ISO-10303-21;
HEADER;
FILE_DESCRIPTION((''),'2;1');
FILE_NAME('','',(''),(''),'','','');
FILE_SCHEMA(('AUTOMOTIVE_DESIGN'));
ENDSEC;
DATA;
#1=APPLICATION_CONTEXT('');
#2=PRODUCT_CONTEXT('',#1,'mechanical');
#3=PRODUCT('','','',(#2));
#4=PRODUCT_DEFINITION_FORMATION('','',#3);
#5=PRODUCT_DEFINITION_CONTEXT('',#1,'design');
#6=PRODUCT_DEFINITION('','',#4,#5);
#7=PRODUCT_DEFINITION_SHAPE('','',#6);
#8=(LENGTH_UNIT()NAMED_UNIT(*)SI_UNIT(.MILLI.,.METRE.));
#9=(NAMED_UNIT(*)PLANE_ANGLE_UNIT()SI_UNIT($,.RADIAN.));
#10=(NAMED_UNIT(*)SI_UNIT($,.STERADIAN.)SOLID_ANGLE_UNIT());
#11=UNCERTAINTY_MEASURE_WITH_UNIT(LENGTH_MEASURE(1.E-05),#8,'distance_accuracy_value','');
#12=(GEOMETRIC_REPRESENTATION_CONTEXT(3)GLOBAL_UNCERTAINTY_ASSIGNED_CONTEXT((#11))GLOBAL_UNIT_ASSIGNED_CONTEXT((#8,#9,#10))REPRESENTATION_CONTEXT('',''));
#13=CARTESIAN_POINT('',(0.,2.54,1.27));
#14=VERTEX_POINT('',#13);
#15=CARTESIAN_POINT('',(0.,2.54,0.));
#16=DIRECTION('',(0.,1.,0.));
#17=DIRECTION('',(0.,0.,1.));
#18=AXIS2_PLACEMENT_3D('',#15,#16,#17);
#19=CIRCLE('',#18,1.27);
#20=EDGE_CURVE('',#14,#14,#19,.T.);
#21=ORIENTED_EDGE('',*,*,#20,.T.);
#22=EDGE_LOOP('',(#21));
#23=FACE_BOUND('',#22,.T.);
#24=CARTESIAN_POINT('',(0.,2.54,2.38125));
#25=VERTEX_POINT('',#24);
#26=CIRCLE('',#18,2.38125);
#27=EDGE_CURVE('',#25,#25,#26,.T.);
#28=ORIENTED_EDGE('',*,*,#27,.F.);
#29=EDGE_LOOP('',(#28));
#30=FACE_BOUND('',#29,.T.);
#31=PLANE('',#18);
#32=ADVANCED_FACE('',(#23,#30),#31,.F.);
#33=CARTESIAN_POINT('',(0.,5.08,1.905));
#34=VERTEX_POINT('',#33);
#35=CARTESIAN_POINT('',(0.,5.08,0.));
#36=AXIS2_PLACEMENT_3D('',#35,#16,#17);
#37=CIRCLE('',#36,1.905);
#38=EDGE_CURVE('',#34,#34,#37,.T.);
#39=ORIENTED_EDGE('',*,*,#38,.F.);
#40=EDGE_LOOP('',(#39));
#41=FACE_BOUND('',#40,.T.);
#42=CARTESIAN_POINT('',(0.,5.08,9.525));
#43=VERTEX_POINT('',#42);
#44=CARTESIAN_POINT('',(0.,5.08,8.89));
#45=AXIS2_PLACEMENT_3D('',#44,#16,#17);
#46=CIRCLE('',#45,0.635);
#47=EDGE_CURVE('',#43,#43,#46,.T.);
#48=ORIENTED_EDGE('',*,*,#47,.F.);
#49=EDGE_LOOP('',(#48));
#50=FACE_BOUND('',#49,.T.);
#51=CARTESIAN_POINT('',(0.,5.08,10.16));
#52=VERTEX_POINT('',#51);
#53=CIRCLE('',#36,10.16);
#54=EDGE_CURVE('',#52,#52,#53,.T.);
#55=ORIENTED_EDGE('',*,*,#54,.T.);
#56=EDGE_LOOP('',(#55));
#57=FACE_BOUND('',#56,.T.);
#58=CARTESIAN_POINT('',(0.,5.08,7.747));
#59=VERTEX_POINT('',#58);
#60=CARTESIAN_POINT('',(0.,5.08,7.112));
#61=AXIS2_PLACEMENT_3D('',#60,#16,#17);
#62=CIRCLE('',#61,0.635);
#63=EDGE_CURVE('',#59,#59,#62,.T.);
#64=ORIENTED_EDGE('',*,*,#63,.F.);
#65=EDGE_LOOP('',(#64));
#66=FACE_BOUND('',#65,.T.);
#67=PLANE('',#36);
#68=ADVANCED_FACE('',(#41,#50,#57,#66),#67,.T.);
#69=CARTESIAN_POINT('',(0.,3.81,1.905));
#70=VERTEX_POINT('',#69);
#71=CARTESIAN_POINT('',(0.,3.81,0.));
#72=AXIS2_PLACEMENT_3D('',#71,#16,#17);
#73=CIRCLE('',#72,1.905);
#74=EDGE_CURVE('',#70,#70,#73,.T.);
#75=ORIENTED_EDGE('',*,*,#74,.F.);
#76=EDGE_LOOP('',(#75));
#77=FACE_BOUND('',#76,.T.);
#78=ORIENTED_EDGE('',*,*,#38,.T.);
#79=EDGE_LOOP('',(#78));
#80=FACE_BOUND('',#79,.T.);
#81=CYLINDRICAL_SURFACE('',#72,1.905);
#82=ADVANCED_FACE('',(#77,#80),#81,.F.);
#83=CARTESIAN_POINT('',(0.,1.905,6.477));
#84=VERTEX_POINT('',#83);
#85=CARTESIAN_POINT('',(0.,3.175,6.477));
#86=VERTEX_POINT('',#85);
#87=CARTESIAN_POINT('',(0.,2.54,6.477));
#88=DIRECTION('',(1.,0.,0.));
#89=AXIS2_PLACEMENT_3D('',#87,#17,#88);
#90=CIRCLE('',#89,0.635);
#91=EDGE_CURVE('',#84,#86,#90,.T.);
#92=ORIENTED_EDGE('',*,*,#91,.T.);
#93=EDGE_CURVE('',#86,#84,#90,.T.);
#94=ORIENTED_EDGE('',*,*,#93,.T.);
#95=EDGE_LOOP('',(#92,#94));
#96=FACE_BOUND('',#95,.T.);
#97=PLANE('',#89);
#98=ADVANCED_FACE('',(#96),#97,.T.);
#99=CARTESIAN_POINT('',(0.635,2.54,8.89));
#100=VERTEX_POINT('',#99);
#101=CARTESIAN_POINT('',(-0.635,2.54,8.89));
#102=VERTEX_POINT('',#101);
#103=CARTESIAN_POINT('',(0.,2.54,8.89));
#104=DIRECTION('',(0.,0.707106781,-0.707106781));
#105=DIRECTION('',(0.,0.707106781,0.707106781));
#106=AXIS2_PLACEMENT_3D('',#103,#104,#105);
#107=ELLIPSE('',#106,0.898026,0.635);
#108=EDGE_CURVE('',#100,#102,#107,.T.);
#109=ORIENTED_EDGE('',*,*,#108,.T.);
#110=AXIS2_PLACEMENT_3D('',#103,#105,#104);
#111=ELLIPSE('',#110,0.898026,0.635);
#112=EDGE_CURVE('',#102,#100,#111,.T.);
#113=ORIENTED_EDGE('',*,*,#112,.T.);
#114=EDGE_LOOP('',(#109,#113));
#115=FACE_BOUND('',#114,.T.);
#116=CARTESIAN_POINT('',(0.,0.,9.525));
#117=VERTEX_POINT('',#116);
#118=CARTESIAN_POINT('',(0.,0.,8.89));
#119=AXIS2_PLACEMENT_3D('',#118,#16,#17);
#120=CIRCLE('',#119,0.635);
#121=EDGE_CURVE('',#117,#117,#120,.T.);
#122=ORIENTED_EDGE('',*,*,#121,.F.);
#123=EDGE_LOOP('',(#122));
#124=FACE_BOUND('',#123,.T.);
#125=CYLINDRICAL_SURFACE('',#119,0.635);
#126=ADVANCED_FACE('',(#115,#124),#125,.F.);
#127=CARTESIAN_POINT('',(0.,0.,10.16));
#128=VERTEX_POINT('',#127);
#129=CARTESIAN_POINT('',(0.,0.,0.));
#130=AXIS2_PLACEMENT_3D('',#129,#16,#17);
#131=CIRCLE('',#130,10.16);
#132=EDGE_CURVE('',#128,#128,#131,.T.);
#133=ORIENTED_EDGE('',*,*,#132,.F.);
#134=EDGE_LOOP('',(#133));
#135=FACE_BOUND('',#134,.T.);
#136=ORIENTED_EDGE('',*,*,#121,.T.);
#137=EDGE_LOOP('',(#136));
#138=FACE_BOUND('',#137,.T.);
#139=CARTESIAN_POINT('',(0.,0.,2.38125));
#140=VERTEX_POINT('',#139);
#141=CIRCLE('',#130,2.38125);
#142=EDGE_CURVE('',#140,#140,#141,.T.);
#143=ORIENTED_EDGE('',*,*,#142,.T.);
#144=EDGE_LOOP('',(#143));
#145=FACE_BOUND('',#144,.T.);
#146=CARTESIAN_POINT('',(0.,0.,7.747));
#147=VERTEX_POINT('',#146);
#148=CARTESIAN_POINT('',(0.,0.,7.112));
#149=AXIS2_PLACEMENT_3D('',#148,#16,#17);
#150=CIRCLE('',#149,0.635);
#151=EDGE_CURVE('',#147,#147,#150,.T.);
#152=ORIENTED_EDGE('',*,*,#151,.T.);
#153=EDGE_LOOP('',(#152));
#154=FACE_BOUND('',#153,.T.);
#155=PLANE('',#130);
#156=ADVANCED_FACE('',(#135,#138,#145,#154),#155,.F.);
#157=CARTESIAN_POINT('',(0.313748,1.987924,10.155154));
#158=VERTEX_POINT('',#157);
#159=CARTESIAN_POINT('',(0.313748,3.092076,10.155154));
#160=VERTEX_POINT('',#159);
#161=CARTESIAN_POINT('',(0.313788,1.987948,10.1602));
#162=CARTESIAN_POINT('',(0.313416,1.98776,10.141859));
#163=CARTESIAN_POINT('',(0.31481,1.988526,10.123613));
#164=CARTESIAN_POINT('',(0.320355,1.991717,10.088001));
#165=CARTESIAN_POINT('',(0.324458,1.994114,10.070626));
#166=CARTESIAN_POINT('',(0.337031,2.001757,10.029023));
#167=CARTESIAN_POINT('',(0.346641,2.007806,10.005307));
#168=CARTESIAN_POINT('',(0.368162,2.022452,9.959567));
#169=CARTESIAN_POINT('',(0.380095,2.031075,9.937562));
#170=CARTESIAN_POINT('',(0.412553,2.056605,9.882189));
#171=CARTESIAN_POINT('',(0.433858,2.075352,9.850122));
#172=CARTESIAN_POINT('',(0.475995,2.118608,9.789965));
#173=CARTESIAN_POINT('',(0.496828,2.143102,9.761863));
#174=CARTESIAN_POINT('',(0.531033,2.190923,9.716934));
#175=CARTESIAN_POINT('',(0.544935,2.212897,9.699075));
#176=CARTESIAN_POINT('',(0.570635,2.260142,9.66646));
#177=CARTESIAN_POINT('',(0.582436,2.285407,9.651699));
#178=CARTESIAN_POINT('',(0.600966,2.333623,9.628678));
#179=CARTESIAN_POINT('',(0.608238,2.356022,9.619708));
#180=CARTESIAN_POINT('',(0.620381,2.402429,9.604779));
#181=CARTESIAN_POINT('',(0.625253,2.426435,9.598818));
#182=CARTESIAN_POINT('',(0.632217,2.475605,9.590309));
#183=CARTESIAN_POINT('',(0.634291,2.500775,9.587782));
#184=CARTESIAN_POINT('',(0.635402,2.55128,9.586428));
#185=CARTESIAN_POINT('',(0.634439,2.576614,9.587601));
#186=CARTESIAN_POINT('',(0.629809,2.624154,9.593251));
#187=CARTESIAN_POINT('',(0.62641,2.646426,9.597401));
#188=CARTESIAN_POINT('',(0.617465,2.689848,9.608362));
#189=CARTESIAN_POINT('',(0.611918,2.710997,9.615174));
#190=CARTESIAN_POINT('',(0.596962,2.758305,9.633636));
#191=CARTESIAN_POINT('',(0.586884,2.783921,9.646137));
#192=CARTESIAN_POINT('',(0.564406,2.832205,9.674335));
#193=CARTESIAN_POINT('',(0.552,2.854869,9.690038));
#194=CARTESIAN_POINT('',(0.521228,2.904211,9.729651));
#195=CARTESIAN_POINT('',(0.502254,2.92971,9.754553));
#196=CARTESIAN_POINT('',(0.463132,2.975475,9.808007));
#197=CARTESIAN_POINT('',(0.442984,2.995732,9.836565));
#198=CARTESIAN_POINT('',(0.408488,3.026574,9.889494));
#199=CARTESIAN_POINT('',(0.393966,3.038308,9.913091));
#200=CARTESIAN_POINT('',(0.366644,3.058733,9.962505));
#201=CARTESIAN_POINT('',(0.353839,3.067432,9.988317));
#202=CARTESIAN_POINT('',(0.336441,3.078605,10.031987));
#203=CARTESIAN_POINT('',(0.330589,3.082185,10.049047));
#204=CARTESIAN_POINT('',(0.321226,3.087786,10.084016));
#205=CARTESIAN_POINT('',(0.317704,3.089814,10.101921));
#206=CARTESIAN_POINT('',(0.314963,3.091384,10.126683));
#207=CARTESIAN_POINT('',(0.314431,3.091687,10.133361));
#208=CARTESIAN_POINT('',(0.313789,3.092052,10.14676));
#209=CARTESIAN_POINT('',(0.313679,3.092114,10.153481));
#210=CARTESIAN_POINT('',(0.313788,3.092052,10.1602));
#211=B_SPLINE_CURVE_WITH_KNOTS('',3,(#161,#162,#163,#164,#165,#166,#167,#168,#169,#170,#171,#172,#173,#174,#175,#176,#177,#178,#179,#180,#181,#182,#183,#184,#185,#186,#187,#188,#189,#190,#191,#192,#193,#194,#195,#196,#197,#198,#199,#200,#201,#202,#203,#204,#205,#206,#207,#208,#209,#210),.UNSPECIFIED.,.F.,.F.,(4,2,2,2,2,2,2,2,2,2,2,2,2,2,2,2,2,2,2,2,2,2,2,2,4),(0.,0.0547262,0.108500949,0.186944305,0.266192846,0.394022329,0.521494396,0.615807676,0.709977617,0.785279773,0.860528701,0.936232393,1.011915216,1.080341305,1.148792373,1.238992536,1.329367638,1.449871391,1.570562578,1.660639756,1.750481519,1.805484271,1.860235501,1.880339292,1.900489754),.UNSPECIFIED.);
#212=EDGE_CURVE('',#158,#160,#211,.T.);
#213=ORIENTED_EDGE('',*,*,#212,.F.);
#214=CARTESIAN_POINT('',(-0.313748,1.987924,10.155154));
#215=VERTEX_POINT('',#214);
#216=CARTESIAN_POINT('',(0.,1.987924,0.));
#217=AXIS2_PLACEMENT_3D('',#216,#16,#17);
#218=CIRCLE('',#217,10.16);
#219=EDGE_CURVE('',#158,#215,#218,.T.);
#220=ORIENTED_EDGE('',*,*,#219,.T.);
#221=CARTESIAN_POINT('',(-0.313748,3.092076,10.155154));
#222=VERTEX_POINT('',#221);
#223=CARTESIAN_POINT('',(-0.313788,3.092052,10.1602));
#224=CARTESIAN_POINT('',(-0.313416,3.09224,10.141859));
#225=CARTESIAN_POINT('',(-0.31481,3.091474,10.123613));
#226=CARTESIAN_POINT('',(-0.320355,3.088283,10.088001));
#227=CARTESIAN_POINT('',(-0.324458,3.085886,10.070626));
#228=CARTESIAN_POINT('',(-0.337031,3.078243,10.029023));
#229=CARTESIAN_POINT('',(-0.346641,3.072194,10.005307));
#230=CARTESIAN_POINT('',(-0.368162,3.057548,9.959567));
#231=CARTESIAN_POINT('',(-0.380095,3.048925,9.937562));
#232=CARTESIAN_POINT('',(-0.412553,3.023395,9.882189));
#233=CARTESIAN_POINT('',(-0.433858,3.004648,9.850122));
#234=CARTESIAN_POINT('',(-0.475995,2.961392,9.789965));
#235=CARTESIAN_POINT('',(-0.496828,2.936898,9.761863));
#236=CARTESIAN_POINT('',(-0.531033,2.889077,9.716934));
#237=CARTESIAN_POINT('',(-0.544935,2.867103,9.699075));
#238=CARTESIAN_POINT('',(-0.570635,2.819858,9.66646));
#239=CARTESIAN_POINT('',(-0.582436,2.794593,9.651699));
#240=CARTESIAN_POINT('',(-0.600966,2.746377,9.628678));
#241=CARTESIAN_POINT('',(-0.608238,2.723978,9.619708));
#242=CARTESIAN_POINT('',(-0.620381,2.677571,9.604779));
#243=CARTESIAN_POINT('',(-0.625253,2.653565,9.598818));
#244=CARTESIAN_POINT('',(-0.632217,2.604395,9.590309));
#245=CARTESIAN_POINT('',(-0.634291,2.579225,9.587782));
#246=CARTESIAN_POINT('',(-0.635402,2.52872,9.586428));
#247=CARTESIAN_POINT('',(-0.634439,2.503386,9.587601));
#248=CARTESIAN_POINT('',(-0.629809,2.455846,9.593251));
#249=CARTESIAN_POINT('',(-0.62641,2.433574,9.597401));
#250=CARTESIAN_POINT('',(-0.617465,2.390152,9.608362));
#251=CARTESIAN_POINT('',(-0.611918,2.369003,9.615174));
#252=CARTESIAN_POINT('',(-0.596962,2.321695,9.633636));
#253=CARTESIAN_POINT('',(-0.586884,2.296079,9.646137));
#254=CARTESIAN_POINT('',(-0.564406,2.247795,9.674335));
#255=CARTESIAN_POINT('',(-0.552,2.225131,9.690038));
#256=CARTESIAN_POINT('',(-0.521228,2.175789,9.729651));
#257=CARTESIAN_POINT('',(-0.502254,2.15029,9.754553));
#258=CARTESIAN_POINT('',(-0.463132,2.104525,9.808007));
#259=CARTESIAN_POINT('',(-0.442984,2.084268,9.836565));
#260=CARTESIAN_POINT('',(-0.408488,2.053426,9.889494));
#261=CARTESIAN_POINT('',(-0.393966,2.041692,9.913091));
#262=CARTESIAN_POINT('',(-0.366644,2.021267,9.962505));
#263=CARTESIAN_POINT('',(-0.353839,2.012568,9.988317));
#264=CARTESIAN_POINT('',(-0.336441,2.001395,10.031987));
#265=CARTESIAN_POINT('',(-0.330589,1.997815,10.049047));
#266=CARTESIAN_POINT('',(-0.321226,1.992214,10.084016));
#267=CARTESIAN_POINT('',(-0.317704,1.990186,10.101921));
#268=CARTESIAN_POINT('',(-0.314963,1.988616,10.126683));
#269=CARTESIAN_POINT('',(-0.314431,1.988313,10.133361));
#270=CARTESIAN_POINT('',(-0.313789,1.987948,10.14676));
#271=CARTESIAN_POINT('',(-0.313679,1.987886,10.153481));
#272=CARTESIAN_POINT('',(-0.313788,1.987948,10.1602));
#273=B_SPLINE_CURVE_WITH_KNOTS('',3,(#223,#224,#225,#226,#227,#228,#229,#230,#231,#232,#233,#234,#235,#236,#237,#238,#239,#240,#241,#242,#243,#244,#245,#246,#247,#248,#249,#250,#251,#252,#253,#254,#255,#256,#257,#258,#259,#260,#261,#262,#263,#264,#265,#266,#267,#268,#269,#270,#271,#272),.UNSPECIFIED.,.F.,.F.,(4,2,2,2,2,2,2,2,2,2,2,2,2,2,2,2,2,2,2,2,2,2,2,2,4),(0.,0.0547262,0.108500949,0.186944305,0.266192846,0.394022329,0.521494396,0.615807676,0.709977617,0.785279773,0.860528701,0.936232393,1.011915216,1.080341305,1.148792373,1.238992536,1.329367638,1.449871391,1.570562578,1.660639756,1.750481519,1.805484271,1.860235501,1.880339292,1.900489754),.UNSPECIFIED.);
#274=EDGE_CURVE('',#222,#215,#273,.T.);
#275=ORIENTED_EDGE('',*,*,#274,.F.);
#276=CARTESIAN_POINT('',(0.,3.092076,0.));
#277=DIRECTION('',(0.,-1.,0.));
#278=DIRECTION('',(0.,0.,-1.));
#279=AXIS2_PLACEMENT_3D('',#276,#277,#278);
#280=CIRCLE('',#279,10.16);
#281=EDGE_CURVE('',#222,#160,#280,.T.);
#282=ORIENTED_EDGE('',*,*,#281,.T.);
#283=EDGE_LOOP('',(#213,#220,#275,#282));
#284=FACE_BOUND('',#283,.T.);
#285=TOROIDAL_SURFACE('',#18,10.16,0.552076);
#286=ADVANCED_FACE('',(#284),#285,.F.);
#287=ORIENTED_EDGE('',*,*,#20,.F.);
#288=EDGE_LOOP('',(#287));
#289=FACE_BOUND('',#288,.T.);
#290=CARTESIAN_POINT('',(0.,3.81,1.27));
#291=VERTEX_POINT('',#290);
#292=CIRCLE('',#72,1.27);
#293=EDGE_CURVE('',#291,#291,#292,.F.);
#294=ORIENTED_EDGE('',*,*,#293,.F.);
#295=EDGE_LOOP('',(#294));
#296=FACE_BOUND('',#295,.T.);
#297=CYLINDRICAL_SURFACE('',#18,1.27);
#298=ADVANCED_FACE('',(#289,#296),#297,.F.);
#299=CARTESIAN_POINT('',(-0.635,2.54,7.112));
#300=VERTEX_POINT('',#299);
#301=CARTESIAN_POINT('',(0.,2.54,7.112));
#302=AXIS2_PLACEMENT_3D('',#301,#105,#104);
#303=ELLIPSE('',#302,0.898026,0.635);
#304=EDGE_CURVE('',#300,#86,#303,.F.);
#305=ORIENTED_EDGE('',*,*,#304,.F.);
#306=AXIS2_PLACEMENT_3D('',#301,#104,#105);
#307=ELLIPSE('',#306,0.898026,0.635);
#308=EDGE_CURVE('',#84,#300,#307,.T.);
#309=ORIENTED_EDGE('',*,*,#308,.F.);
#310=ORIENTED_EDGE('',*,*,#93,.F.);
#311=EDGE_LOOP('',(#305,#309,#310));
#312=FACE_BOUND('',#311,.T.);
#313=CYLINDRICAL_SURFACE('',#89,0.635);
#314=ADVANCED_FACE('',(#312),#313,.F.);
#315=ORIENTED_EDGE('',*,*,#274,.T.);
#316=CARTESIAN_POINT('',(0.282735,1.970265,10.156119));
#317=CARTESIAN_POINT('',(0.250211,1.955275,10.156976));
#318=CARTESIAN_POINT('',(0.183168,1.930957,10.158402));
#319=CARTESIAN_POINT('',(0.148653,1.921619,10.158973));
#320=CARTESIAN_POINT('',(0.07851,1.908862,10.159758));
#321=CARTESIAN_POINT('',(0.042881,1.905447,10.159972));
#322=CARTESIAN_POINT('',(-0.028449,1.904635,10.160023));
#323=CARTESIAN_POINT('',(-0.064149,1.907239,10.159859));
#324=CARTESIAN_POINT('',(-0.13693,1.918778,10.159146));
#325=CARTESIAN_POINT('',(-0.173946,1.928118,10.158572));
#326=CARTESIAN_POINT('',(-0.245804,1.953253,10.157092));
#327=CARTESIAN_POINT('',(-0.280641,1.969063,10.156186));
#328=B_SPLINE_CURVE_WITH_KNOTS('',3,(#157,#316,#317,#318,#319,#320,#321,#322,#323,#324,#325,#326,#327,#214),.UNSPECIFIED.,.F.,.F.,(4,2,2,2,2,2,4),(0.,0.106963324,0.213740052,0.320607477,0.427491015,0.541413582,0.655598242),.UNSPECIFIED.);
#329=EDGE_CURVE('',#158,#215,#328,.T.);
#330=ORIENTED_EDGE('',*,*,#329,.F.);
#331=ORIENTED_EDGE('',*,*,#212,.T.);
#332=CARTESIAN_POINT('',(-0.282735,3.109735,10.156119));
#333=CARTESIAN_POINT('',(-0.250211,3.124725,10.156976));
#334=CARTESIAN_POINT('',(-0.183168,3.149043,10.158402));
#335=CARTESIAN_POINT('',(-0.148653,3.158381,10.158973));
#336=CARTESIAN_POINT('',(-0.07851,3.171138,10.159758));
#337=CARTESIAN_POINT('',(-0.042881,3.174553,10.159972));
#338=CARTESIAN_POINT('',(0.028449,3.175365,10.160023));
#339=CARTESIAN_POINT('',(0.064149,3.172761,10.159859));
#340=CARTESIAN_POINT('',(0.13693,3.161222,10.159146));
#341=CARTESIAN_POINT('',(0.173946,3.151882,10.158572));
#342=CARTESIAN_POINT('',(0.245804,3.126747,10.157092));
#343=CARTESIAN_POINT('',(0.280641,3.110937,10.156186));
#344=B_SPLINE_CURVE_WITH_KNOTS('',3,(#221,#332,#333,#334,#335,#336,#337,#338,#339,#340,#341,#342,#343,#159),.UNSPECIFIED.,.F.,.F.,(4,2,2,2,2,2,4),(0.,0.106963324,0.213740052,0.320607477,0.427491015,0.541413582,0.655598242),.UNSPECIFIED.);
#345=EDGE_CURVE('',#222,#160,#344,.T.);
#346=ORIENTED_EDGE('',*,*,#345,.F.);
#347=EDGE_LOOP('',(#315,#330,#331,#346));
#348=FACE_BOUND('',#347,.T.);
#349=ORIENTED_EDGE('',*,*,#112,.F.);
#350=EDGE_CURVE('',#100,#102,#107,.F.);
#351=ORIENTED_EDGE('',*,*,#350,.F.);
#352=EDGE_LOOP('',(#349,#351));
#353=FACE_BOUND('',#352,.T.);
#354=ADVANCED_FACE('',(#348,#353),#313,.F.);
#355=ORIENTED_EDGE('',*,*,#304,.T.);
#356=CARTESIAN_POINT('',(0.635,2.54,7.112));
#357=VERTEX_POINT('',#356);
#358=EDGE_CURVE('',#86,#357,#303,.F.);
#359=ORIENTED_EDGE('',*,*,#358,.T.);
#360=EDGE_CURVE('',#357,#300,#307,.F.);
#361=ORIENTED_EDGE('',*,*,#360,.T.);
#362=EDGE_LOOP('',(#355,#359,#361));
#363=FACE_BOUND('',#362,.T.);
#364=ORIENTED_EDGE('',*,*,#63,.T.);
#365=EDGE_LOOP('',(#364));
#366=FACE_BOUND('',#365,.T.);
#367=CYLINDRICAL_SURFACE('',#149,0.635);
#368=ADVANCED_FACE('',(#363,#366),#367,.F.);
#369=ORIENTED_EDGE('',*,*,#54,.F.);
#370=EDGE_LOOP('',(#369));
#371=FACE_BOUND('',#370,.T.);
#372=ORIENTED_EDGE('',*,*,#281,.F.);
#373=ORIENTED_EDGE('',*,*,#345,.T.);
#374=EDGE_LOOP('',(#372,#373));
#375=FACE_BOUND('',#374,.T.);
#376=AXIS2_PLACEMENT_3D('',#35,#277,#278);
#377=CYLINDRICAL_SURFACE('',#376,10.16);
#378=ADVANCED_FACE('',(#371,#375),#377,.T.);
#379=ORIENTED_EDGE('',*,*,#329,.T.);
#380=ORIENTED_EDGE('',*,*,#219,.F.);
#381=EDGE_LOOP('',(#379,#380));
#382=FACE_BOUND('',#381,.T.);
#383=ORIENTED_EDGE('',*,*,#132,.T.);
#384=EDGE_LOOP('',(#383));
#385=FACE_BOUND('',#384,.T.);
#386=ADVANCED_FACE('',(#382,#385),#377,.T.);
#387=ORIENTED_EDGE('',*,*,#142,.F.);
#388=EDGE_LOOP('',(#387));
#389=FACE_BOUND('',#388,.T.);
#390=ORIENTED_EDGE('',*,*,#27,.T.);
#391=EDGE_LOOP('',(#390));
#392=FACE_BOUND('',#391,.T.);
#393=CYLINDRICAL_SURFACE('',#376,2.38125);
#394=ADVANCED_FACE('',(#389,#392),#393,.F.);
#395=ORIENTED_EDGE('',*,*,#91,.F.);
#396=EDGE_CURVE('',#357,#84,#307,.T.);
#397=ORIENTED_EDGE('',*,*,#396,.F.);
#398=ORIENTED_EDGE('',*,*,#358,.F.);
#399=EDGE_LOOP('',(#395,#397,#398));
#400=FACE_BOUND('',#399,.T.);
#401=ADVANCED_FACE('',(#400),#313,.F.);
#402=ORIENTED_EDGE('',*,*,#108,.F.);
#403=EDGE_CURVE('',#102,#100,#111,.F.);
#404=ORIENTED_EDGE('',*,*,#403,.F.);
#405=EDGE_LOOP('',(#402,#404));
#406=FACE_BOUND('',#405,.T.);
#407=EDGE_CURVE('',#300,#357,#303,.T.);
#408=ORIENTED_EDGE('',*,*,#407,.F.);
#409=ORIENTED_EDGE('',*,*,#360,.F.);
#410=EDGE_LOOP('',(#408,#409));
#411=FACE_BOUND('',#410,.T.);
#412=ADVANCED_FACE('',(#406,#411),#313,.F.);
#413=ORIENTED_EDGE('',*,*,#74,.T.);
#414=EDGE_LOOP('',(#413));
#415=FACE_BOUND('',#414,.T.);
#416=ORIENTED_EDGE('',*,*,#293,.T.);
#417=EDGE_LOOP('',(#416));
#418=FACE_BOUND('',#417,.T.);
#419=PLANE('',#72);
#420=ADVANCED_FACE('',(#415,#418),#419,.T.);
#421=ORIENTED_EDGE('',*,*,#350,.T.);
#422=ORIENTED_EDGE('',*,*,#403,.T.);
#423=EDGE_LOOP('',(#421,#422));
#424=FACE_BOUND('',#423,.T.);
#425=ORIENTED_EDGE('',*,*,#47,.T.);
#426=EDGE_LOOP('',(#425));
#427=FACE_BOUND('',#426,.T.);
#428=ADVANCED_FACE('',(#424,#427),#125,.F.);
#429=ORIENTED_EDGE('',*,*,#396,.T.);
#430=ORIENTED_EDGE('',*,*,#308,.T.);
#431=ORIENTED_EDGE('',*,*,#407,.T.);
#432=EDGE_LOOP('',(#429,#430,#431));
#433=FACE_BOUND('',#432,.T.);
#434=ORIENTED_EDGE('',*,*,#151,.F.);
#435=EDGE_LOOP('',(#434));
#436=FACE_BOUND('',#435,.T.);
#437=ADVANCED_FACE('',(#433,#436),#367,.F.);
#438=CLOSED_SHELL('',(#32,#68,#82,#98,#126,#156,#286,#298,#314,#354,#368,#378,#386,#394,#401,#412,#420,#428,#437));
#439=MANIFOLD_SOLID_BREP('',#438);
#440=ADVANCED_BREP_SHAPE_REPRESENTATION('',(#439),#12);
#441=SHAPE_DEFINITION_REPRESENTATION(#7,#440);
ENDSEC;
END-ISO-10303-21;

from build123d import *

# Parameters (mm, degrees)
SKETCH1_R           = 10.16
SKETCH1_R_2         = 2.38125
BOSS_EXTRUDE1_DEPTH = 5.08
BOSS_EXTRUDE2_START = -2.54
SKETCH2_R           = 2.38125
SKETCH2_R_2         = 1.27
BOSS_EXTRUDE2_DEPTH = 2.54
SKETCH3_R           = 1.905
CUT_EXTRUDE1_DEPTH  = 1.27
SKETCH4_R           = 0.552075519
SKETCH5_R           = 0.635
CUT_EXTRUDE2_DEPTH  = 16.24
SKETCH6_R           = 0.635
CUT_EXTRUDE3_DEPTH  = 3.683


with BuildPart() as part:
    # Sketch1 → Boss-Extrude1 (new body)
    with BuildSketch(Plane(origin=(0, 0, 0), x_dir=(1, 0, 0), z_dir=(0, 1, 0))):
        with Locations(Location((0, 0, 0), (0, 0, 270))):
            Circle(SKETCH1_R)
        with Locations(Location((0, 0, 0), (0, 0, 270))):
            Circle(SKETCH1_R_2, mode=Mode.SUBTRACT)
    extrude(amount=BOSS_EXTRUDE1_DEPTH)

    # Sketch2 → Boss-Extrude2 (add)
    with BuildSketch(Plane(origin=(0, 5.08, 0), x_dir=(1, 0, 0), z_dir=(0, 1, 0)).offset(BOSS_EXTRUDE2_START)):
        with Locations(Location((0, 0, 0), (0, 0, 270))):
            Circle(SKETCH2_R)
        with Locations(Location((0, 0, 0), (0, 0, 270))):
            Circle(SKETCH2_R_2, mode=Mode.SUBTRACT)
    extrude(amount=BOSS_EXTRUDE2_DEPTH)

    # Sketch3 → Cut-Extrude1 (cut)
    with BuildSketch(Plane(origin=(0, 5.08, 0), x_dir=(1, 0, 0), z_dir=(0, 1, 0))):
        with Locations(Location((0, 0, 0), (0, 0, 270))):
            Circle(SKETCH3_R)
    extrude(amount=-CUT_EXTRUDE1_DEPTH, mode=Mode.SUBTRACT)

    # Sketch4 → Cut-Revolve1 (revolve, cut)
    with BuildSketch(Plane.XY, mode=Mode.PRIVATE) as cut_revolve1_sk:
        with Locations((10.16, 2.54)):
            Circle(SKETCH4_R)
    revolve(cut_revolve1_sk.sketch.rotate(Axis((0, 6.474479785, 0), (0, -1, 0)), 90), axis=Axis((0, 6.474479785, 0), (0, -1, 0)), mode=Mode.SUBTRACT)

    # Sketch5 → Cut-Extrude2 (cut, through all)
    with BuildSketch(Plane(origin=(0, 5.08, 0), x_dir=(1, 0, 0), z_dir=(0, 1, 0))):
        with Locations(Location((0, -8.89, 0), (0, 0, 270))):
            Circle(SKETCH5_R)
        with Locations(Location((0, -7.112, 0), (0, 0, 270))):
            Circle(SKETCH5_R)
    extrude(amount=-CUT_EXTRUDE2_DEPTH, mode=Mode.SUBTRACT)

    # Sketch6 → Cut-Extrude3 (cut)
    with BuildSketch(Plane.XY.offset(10.16)):
        with Locations((0, 2.54)):
            Circle(SKETCH6_R)
    extrude(amount=-CUT_EXTRUDE3_DEPTH, mode=Mode.SUBTRACT)


solid = part.part
